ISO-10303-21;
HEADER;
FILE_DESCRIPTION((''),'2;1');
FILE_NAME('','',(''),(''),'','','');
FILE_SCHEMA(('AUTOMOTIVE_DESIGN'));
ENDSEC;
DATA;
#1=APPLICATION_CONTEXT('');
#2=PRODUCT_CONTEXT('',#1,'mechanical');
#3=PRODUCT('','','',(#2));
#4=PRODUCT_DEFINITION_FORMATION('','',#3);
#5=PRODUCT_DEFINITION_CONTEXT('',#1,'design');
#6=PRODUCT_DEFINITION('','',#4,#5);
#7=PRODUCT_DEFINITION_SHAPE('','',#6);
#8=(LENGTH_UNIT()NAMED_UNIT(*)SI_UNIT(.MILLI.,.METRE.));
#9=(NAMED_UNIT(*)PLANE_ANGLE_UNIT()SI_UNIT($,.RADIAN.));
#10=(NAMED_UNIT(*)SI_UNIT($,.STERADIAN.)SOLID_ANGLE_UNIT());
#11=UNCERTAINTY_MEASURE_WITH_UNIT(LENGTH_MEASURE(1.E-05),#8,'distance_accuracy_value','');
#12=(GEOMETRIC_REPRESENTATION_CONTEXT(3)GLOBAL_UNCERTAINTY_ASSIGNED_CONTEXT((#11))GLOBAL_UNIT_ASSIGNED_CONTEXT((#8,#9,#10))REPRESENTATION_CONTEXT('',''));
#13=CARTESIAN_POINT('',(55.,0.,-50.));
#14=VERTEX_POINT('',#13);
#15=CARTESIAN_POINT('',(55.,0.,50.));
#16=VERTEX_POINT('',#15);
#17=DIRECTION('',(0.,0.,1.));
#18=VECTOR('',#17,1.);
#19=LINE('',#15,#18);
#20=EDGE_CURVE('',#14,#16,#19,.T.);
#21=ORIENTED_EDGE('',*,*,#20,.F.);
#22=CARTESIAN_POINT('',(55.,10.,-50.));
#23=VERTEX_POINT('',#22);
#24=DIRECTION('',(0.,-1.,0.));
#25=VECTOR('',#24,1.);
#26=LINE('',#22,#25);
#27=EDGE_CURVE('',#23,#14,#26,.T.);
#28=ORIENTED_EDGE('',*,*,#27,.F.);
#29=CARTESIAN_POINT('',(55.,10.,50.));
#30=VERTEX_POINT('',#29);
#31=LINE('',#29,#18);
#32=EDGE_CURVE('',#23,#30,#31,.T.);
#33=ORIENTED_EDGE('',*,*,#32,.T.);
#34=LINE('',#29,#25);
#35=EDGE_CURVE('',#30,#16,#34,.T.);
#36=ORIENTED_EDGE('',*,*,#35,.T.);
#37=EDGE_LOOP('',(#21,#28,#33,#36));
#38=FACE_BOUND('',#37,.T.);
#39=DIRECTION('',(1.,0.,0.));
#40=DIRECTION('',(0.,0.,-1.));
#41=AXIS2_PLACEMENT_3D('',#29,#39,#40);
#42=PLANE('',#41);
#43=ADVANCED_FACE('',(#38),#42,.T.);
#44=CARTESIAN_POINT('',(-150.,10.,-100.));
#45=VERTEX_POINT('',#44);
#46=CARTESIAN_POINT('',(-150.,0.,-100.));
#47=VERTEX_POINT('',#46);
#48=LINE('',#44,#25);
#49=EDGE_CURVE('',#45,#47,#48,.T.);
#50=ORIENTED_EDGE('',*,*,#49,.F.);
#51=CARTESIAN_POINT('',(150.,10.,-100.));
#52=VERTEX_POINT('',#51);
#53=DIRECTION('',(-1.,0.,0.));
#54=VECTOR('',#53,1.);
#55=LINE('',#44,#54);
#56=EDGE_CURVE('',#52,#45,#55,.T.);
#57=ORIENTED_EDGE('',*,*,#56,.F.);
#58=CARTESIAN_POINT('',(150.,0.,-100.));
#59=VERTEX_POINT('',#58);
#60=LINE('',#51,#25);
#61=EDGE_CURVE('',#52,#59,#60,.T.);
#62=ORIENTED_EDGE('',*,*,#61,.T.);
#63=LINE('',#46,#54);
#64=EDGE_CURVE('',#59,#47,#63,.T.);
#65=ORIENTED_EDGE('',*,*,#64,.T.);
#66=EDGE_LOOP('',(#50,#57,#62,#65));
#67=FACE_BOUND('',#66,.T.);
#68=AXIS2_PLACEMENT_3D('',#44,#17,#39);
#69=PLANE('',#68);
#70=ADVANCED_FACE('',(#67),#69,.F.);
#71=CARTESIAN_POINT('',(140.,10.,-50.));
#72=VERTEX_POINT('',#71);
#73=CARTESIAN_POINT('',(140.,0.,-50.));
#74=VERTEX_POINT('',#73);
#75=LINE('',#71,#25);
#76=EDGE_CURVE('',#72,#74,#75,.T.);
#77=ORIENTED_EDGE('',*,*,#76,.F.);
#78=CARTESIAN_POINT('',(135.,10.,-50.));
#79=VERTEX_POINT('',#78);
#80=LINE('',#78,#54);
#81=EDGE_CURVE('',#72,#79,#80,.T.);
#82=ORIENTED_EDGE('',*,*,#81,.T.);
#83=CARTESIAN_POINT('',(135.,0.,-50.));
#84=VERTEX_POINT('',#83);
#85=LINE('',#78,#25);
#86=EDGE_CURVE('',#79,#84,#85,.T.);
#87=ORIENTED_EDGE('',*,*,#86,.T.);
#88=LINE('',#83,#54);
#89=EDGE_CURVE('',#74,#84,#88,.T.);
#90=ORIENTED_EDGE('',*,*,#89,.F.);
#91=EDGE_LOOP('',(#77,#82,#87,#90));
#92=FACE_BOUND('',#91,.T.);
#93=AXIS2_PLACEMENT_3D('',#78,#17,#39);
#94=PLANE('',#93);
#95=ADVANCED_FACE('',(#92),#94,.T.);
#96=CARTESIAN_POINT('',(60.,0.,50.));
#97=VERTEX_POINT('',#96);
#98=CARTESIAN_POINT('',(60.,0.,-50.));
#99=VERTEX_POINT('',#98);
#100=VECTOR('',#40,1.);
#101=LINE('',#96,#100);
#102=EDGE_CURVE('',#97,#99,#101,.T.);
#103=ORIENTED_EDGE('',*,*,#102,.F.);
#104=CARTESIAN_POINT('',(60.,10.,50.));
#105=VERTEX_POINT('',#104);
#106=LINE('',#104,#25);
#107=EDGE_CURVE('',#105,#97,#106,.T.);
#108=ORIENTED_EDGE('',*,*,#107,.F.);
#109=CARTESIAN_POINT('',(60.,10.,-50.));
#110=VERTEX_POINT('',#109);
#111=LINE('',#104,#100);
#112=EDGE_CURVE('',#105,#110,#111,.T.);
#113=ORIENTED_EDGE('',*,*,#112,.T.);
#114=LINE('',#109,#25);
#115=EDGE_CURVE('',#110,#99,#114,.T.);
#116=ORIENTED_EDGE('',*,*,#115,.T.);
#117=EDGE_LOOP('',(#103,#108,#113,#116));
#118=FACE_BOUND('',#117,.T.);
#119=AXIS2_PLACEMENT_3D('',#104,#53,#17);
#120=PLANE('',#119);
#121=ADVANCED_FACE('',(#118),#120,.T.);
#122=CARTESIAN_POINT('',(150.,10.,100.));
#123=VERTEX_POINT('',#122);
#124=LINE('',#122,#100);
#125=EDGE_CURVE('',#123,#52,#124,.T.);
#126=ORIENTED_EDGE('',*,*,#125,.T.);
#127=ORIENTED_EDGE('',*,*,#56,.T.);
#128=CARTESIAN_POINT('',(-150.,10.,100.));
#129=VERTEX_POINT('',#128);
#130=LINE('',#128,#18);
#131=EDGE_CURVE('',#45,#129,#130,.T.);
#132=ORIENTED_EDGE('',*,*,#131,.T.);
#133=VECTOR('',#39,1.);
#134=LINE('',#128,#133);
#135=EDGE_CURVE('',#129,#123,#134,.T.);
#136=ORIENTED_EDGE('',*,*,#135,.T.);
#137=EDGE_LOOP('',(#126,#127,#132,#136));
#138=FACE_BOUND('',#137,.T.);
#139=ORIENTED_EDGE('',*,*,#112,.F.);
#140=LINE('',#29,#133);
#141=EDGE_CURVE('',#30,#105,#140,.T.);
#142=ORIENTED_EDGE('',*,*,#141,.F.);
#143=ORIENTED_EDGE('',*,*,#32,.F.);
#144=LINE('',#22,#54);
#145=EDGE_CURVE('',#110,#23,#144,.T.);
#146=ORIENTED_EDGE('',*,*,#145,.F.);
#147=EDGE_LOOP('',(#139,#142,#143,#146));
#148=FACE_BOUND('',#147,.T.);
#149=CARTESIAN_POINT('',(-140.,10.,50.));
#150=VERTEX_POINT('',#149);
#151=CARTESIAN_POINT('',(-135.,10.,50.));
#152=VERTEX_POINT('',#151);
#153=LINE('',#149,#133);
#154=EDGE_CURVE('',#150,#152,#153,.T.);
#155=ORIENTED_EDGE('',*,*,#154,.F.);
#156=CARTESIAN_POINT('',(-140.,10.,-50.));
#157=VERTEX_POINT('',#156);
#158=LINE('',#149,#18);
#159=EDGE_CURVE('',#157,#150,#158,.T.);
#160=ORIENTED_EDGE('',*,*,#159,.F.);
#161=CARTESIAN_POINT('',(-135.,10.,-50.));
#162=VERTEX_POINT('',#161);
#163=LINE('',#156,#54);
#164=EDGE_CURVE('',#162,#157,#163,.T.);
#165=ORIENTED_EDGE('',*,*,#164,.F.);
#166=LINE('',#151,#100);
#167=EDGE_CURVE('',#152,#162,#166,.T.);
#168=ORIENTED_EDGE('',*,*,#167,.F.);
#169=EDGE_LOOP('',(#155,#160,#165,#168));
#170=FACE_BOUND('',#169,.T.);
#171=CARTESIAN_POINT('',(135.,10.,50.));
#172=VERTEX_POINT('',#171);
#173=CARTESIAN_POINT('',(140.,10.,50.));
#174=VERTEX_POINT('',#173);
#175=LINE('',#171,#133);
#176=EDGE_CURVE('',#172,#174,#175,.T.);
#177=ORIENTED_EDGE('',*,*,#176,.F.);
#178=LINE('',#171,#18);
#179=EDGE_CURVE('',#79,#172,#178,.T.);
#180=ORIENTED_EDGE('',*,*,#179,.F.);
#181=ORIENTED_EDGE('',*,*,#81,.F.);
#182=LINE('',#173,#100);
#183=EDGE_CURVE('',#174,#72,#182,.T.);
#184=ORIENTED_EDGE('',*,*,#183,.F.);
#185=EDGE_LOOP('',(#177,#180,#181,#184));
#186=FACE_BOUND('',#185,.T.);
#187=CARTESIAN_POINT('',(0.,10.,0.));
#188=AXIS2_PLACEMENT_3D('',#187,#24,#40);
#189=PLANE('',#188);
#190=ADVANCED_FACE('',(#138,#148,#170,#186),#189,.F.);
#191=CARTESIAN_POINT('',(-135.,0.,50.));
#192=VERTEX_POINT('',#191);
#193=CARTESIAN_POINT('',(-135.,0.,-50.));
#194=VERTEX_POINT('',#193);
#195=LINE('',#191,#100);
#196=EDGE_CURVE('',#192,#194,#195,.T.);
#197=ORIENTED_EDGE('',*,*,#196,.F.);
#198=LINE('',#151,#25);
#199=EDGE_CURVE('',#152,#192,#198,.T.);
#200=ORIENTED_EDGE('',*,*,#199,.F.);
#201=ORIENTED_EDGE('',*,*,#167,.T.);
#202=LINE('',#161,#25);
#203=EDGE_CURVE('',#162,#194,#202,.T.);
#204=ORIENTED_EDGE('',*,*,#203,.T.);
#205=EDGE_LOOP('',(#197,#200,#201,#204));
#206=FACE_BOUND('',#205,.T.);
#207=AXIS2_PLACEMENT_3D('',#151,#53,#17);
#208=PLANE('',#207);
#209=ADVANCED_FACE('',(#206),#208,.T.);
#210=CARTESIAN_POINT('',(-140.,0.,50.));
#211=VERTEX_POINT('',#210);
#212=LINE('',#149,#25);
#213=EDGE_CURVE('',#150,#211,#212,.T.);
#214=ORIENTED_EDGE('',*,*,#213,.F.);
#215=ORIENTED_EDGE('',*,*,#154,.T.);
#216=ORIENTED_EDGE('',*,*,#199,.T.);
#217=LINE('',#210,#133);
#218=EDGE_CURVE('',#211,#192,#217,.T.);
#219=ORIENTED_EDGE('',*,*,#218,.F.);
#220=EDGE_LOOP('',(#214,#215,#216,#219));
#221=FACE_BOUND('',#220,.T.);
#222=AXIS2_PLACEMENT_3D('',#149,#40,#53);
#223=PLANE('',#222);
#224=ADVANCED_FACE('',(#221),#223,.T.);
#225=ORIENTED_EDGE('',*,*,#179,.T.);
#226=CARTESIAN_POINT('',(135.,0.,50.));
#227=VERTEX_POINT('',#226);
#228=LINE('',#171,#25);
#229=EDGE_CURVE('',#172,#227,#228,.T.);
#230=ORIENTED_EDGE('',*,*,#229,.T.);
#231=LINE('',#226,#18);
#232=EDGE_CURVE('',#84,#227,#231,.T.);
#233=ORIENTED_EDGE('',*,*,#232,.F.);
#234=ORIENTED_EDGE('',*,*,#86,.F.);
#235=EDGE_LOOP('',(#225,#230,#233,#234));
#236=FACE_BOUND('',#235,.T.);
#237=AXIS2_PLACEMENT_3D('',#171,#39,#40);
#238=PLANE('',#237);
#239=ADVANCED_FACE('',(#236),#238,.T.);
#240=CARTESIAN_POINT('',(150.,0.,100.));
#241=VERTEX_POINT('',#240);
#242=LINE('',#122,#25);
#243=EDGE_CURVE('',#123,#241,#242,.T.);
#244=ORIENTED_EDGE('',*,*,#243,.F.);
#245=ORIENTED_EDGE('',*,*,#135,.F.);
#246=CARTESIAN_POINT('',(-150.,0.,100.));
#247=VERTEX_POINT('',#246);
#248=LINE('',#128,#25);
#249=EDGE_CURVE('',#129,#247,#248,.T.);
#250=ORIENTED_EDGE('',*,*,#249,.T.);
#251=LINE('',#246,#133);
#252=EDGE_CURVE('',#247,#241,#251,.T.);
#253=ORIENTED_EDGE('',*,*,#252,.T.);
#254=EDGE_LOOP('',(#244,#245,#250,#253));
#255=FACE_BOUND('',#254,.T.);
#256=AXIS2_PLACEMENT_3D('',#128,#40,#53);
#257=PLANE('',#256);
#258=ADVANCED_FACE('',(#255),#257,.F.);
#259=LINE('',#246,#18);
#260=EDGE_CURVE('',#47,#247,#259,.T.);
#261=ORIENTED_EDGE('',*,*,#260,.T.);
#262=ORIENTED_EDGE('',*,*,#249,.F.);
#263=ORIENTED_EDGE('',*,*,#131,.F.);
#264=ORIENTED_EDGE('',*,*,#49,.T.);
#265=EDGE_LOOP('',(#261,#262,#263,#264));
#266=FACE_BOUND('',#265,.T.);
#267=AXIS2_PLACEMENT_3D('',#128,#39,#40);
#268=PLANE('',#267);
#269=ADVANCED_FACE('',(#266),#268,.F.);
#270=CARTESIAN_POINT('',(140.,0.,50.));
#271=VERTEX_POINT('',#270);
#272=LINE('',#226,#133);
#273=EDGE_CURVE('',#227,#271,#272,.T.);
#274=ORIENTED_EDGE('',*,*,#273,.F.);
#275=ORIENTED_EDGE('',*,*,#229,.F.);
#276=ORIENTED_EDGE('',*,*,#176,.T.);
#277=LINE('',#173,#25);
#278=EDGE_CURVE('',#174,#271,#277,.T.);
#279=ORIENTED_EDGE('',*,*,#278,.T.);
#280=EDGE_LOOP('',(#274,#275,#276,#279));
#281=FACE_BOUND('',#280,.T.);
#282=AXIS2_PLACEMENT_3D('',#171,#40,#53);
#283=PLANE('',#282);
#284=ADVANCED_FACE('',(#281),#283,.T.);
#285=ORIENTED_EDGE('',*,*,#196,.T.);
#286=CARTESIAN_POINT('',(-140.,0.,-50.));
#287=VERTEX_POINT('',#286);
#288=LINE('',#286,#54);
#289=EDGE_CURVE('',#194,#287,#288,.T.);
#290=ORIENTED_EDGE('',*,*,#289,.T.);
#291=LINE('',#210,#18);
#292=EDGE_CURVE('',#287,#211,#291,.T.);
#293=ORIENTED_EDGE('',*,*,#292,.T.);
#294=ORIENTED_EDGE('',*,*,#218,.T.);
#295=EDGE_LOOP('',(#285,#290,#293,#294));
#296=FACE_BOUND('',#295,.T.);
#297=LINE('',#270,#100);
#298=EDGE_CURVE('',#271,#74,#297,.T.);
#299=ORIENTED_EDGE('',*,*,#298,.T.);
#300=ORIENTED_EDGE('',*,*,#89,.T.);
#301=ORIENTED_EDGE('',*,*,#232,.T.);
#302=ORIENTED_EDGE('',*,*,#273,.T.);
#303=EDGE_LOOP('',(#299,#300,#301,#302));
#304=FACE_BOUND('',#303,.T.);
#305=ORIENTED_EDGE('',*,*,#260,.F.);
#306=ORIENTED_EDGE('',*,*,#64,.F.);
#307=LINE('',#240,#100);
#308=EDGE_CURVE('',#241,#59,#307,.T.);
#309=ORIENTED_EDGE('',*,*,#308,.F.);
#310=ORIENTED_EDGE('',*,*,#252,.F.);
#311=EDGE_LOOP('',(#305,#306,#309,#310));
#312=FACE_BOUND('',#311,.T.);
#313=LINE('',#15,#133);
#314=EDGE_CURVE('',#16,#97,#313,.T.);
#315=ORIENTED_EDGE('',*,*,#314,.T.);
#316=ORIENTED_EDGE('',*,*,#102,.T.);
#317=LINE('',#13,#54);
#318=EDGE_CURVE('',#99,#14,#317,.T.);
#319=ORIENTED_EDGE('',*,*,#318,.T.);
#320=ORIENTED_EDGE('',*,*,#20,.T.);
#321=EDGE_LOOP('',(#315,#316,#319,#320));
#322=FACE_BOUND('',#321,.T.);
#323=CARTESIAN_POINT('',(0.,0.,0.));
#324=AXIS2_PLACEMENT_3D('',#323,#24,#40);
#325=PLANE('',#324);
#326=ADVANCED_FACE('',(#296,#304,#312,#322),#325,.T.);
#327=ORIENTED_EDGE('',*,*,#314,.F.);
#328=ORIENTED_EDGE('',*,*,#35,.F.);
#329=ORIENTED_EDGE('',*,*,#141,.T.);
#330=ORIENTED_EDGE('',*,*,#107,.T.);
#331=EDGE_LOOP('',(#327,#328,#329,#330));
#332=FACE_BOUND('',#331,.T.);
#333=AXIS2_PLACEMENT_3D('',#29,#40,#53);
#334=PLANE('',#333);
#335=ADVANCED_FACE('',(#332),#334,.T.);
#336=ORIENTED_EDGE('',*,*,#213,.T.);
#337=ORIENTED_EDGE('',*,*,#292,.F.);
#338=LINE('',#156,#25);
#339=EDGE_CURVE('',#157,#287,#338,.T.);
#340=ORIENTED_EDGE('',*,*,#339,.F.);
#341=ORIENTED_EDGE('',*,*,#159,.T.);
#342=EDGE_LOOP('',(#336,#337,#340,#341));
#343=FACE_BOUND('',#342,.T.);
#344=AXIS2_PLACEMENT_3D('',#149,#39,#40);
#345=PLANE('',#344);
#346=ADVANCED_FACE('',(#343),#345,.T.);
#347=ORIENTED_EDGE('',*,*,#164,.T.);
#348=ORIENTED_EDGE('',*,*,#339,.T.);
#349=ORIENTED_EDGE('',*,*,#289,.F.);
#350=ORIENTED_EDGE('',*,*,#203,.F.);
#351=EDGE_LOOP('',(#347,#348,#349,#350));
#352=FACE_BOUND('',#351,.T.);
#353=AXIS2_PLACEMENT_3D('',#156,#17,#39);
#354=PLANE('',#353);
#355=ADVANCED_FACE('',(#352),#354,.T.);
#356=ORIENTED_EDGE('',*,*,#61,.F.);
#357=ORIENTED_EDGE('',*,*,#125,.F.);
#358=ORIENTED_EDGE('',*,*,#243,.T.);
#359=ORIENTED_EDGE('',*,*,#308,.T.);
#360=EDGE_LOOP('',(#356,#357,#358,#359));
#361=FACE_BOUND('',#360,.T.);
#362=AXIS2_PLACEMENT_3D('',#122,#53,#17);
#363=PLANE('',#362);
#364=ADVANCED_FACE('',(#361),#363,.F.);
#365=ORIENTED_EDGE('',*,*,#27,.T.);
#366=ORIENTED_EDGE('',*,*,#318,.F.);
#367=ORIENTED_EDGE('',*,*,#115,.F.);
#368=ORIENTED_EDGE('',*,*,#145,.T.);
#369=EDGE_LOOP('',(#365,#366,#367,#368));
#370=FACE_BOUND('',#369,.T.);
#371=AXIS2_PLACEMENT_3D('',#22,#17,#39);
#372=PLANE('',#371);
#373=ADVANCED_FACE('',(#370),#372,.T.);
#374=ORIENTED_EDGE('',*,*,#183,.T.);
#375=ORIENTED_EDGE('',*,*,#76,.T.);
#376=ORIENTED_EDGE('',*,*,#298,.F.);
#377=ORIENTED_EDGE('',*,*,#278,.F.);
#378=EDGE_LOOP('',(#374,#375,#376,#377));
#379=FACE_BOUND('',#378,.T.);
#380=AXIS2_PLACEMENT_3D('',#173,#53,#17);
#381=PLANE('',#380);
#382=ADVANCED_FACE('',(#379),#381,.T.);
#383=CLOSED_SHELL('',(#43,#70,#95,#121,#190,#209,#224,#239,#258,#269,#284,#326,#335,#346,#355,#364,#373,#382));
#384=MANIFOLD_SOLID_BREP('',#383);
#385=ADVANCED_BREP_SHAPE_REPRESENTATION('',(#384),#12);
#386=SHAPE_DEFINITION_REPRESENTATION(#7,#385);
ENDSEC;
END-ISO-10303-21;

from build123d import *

# Parameters (mm, degrees)
CROQUIS1_W              = 300
CROQUIS1_H              = 200
CROQUIS1_W_2            = 5
CROQUIS1_H_2            = 100
SALIENTE_EXTRUIR1_DEPTH = 10


with BuildPart() as part:
    # Croquis1 → Saliente-Extruir1 (new body)
    with BuildSketch(Plane(origin=(0, 0, 0), x_dir=(1, 0, 0), z_dir=(0, 1, 0))):
        Rectangle(CROQUIS1_W, CROQUIS1_H)
        with Locations((137.5, 0)):
            Rectangle(CROQUIS1_W_2, CROQUIS1_H_2, mode=Mode.SUBTRACT)
        with Locations((-137.5, 0)):
            Rectangle(CROQUIS1_W_2, CROQUIS1_H_2, mode=Mode.SUBTRACT)
        with Locations((57.5, 0)):
            Rectangle(CROQUIS1_W_2, CROQUIS1_H_2, mode=Mode.SUBTRACT)
    extrude(amount=SALIENTE_EXTRUIR1_DEPTH)


solid = part.part
